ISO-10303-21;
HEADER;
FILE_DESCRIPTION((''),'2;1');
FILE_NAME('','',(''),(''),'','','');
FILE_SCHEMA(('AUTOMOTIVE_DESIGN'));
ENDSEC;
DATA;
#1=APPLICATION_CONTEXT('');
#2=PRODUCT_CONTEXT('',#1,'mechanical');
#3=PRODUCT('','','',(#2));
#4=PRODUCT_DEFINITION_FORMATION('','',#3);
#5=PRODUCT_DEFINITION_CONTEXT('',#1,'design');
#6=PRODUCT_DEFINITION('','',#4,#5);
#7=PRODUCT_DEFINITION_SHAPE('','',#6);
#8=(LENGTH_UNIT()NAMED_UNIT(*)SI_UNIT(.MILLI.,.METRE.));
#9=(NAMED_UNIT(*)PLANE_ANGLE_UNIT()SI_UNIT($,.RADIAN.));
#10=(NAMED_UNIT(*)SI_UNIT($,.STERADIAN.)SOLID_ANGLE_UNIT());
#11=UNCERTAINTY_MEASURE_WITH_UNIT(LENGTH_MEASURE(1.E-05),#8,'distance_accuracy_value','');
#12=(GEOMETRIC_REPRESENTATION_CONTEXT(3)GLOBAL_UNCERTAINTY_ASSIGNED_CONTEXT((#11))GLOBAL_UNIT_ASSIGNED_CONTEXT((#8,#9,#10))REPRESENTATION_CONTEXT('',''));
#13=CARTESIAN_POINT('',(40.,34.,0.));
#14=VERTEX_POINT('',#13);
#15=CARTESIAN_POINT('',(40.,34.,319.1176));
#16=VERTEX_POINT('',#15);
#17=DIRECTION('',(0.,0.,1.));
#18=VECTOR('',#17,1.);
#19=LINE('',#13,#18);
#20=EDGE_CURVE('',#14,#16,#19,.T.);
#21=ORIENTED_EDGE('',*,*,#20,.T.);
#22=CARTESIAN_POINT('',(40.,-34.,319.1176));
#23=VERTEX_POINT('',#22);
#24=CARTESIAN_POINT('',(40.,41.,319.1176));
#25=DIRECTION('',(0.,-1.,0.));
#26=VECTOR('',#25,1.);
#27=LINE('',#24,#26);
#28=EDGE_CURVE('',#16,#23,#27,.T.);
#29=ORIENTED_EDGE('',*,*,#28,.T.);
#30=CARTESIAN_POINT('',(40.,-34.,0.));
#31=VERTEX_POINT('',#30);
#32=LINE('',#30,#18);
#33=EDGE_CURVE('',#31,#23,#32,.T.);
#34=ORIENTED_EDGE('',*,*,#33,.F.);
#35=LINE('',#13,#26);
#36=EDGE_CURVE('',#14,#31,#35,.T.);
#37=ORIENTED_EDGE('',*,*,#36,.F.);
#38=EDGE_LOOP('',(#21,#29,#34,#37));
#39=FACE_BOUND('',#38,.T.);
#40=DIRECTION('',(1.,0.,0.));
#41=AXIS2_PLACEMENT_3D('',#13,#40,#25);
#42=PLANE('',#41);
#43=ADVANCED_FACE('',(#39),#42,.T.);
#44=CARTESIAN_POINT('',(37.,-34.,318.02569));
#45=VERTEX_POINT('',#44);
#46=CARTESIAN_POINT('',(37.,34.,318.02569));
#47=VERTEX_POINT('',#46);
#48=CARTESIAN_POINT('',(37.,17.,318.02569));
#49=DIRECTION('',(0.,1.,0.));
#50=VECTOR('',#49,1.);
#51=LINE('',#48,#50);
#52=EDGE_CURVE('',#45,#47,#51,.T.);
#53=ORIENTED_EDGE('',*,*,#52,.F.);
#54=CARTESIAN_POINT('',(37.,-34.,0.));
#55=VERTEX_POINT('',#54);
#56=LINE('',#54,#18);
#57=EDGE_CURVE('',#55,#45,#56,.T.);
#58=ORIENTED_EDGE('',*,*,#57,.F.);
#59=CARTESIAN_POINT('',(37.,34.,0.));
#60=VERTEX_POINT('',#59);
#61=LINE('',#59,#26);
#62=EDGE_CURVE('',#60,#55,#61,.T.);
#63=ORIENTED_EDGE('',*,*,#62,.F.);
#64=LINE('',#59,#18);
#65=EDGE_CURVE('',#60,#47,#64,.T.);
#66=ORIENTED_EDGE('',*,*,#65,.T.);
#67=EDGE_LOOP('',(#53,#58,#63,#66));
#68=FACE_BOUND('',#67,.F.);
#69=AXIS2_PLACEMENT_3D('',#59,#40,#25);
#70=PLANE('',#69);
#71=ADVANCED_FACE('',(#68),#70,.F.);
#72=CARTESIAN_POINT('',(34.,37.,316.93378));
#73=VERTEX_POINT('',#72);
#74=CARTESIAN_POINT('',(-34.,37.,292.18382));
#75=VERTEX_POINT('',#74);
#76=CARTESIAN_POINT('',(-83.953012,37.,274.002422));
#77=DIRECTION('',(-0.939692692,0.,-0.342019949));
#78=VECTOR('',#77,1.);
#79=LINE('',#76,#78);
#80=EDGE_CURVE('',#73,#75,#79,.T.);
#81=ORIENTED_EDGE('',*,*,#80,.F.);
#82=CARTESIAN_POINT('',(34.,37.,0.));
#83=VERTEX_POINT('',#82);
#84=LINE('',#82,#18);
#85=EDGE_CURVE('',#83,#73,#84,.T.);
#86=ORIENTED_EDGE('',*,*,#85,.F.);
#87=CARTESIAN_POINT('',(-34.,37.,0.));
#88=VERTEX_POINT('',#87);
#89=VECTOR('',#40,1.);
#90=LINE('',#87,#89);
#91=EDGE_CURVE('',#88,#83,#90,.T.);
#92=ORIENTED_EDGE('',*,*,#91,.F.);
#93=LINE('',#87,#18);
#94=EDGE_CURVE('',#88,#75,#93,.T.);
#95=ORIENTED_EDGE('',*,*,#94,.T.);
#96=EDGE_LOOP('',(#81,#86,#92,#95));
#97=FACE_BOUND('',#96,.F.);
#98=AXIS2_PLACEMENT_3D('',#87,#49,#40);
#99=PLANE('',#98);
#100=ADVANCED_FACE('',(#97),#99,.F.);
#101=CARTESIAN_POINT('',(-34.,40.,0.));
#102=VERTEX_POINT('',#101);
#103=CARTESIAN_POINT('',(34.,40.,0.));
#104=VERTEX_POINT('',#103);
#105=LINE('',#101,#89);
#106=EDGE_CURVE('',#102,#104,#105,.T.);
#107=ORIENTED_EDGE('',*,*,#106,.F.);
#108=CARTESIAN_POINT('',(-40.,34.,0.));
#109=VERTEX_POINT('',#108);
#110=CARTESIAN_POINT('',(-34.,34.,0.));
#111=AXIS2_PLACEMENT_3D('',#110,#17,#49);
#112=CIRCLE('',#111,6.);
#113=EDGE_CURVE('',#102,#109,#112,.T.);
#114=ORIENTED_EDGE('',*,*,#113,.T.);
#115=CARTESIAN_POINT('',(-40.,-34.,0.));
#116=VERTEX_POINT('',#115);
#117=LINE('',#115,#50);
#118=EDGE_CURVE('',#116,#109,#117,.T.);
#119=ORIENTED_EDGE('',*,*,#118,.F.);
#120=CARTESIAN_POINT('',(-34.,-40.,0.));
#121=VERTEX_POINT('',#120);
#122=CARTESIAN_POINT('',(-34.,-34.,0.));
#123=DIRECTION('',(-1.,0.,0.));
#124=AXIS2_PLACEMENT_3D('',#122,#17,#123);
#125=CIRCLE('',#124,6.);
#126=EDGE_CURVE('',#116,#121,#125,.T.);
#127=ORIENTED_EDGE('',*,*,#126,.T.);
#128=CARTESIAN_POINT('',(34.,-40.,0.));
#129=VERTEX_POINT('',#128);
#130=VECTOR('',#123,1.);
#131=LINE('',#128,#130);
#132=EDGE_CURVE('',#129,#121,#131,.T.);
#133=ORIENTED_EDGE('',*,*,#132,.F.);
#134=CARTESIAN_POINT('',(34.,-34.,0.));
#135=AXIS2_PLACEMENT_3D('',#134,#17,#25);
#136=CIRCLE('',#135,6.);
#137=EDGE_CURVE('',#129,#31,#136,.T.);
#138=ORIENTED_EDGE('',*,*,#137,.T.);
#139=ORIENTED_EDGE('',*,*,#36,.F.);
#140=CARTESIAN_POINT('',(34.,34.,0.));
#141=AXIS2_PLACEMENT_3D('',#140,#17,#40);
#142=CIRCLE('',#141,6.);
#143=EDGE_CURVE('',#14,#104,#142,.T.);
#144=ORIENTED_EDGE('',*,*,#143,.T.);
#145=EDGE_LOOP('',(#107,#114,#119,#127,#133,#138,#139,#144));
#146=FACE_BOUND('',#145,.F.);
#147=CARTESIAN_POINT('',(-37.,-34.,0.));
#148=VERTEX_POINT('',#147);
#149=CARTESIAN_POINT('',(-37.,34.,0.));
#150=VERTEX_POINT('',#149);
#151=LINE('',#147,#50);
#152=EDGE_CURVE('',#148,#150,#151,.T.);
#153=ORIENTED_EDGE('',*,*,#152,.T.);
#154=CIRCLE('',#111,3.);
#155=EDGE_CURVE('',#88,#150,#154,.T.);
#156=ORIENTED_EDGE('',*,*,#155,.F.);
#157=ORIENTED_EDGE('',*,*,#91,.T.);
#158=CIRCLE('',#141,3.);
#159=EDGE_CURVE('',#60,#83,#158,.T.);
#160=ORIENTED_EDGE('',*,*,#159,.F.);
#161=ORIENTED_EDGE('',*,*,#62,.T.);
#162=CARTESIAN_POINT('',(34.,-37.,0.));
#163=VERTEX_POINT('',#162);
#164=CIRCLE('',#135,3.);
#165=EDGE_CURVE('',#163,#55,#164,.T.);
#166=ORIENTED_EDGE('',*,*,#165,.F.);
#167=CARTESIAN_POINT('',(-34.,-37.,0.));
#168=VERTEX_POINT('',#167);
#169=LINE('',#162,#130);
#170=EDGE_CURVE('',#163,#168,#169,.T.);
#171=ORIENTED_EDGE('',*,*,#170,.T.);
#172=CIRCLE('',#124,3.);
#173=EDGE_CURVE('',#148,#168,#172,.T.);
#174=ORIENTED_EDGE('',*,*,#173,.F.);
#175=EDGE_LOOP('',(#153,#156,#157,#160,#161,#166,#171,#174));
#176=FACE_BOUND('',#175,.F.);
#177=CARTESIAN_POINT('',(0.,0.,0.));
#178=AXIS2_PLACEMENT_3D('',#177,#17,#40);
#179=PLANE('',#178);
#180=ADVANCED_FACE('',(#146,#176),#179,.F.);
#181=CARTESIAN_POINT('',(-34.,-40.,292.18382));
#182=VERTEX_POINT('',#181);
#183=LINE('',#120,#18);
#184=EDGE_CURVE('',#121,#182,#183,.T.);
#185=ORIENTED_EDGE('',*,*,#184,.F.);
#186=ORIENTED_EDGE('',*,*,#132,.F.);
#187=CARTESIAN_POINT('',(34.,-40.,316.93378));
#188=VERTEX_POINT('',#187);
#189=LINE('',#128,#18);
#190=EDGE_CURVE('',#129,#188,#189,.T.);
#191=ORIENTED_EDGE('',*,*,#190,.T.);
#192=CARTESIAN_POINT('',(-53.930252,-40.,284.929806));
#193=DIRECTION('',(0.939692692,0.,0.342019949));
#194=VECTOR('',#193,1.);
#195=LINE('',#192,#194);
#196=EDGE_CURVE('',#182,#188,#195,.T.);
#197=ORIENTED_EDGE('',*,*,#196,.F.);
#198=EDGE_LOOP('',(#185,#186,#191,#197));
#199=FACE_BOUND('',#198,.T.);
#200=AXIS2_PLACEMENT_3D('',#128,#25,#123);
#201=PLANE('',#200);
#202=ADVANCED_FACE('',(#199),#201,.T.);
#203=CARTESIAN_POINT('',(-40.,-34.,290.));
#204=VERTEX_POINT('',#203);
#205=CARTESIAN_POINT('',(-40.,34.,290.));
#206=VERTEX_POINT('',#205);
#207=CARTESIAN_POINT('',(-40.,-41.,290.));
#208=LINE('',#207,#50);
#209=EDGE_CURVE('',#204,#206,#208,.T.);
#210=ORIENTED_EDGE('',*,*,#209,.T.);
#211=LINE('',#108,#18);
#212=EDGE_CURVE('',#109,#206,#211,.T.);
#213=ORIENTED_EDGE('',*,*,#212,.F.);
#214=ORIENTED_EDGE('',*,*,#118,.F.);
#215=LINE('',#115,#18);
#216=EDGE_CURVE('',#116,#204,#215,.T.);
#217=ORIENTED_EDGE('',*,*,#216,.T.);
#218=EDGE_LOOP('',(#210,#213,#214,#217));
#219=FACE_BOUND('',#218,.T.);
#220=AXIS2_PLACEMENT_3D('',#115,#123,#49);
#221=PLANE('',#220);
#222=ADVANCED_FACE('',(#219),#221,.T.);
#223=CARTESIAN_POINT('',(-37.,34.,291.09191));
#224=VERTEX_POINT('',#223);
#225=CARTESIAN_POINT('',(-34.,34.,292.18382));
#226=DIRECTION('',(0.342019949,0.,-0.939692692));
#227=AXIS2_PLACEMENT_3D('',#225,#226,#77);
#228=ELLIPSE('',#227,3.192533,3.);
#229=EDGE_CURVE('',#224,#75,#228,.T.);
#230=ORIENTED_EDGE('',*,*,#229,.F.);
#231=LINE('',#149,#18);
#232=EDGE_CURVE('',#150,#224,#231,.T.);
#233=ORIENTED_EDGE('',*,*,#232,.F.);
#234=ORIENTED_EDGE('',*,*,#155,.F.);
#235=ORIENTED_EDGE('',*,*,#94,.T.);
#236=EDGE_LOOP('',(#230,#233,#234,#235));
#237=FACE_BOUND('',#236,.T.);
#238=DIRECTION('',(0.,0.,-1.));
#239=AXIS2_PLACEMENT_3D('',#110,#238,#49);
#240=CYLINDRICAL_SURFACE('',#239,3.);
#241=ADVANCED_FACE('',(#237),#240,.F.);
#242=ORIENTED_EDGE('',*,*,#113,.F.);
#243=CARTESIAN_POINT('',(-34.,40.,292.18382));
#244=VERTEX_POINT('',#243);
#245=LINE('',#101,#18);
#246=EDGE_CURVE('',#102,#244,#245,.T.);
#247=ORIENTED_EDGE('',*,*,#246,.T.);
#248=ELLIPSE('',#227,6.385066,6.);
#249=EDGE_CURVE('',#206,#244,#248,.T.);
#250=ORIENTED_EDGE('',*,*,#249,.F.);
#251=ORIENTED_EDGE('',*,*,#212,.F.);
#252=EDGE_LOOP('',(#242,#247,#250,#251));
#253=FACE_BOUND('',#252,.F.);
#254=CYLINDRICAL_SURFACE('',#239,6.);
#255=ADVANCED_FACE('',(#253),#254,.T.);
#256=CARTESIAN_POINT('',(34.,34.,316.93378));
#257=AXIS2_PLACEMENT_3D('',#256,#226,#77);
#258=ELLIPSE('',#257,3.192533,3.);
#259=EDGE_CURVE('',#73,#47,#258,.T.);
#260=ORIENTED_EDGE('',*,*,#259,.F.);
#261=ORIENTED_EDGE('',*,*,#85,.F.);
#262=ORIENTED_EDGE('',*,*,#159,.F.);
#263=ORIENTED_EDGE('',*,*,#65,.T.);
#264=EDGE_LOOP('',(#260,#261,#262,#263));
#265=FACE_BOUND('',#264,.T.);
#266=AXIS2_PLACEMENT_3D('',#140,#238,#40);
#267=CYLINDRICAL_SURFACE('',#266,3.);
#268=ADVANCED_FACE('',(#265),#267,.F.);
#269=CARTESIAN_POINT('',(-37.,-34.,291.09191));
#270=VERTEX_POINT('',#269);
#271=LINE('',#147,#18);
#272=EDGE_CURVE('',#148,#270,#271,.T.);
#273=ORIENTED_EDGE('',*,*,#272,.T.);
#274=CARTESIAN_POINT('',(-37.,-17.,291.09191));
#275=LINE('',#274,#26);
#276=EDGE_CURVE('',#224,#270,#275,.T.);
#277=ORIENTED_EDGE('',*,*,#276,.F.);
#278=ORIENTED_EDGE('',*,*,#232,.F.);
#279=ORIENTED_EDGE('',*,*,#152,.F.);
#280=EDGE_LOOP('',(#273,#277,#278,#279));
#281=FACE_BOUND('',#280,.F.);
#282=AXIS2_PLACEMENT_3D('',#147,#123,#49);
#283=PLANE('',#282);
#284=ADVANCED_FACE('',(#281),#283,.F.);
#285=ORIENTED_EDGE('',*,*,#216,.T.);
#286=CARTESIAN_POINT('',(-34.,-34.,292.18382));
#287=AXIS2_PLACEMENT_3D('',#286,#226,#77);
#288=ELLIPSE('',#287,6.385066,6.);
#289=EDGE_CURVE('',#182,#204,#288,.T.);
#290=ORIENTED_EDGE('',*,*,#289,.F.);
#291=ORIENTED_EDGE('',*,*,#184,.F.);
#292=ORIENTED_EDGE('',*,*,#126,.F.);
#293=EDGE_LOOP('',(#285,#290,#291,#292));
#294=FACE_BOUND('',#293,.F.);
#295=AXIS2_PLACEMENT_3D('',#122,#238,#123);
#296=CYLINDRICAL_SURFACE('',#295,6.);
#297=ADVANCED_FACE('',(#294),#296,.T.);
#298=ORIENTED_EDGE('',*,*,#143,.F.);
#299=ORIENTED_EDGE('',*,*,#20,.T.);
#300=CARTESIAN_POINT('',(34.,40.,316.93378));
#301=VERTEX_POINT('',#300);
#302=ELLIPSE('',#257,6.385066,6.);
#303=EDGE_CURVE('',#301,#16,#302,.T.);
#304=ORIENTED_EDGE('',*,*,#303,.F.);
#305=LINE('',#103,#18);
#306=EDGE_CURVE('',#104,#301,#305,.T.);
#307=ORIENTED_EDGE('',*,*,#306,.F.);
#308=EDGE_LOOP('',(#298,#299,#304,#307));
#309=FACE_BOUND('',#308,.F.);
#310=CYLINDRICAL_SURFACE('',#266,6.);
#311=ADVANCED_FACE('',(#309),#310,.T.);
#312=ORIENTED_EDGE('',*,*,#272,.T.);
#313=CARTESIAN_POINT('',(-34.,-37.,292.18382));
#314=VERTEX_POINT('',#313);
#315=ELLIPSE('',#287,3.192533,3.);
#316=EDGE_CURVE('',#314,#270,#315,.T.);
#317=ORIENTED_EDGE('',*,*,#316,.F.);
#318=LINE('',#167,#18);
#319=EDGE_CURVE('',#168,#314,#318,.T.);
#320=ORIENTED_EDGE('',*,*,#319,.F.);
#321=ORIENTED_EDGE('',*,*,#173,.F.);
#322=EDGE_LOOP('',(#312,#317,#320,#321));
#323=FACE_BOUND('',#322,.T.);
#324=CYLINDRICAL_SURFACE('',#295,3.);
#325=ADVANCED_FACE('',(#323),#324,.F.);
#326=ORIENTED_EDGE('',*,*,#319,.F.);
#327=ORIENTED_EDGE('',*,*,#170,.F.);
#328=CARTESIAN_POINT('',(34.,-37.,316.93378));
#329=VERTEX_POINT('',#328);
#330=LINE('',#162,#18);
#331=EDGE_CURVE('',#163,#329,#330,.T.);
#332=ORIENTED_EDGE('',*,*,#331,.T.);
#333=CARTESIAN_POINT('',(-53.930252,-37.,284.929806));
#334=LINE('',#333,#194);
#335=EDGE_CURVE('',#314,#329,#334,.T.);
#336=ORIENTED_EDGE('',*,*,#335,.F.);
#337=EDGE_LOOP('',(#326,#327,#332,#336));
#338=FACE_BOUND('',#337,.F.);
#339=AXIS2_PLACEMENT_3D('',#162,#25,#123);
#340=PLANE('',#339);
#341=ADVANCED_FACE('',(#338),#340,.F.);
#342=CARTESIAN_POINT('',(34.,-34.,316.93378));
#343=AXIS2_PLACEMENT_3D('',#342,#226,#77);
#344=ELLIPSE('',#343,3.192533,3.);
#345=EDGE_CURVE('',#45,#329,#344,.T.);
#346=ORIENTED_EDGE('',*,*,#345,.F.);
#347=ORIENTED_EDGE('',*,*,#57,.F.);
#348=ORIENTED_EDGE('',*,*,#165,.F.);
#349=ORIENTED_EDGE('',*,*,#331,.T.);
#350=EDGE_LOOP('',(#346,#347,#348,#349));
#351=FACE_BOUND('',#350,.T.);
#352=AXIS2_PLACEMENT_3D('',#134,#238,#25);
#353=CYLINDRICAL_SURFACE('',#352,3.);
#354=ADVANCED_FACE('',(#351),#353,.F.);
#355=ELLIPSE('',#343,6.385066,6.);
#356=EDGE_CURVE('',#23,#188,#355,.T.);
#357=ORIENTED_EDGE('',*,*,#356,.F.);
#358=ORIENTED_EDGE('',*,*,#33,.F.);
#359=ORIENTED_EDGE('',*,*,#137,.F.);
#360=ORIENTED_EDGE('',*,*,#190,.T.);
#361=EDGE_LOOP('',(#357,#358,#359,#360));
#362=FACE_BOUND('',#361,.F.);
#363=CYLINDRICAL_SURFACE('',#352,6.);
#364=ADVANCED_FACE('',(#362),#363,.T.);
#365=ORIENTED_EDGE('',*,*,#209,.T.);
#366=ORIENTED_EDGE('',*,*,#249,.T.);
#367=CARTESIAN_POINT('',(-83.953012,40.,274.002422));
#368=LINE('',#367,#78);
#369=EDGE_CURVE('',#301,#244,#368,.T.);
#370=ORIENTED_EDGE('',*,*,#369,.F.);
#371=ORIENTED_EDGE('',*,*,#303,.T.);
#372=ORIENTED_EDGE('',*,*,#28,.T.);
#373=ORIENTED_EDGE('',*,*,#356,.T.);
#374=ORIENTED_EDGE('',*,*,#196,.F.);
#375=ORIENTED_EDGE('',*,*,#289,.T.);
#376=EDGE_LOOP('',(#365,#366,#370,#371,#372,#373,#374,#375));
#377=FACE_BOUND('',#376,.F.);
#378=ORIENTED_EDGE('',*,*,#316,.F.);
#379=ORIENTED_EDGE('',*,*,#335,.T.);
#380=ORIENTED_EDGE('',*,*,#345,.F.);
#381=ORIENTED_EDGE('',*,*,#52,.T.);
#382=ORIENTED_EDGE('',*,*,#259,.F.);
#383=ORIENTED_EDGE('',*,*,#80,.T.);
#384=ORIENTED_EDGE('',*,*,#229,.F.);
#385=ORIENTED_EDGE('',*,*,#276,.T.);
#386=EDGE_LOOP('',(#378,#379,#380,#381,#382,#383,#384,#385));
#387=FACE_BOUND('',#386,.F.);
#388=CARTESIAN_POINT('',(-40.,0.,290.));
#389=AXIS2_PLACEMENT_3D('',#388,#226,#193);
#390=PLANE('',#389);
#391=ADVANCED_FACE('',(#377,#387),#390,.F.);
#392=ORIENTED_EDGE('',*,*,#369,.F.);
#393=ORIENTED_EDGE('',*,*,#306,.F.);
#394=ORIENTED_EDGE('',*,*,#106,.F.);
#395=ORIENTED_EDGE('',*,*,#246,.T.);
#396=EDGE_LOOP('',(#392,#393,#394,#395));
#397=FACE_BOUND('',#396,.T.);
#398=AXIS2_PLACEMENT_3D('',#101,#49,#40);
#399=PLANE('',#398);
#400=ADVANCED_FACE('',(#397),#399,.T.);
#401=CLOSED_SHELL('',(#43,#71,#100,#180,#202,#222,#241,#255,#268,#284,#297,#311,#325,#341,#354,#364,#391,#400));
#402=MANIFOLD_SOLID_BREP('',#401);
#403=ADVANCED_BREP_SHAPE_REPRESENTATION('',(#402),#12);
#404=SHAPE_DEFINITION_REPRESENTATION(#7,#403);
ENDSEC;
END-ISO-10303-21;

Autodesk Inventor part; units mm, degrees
ref_plane "YZ Plane" through (0, 0, 0) normal (1, 0, 0) x (0, 1, 0)
ref_plane "Start plane" through (0, 0, 0) normal (0, 0, 1) x (1, 0, 0)
ref_plane "End plane" through (0, 0, 1000) normal (0, 0, 1) x (1, 0, 0)
sketch "Sketch" plane through (0, 0, 0) normal (0, 0, 1) x (1, 0, 0)
  line L0 (-40, -34) -> (-40, 34)
  line L1 (-34, 40) -> (34, 40)
  line L2 (40, 34) -> (40, -34)
  line L3 (34, -40) -> (-34, -40)
  arc A0 (-40, -34) -> (-34, -40) centre (-34, -34) ccw
  arc A1 (40, 34) -> (34, 40) centre (34, 34) ccw
  arc A2 (-34, 40) -> (-40, 34) centre (-34, 34) ccw
  arc A3 (34, -40) -> (40, -34) centre (34, -34) ccw
  arc A4 (-34, 37) -> (-37, 34) centre (-34, 34) ccw
  line L4 (-34, 37) -> (34, 37)
  arc A5 (37, 34) -> (34, 37) centre (34, 34) ccw
  line L5 (37, 34) -> (37, -34)
  arc A6 (34, -37) -> (37, -34) centre (34, -34) ccw
  line L6 (34, -37) -> (-34, -37)
  arc A7 (-37, -34) -> (-34, -37) centre (-34, -34) ccw
  line L7 (-37, -34) -> (-37, 34)
  line L8 (0, 57.7397) -> (0, -57.7397) construction
  line L9 (-57.7397, 0) -> (57.7397, 0) construction
  dimension "d7" = 6
  dimension "d9" = 80
  dimension "d11" = 80
  dimension "d12" = 3
  dimension "d15" = 40
  dimension "d16" = 40
extrude "Body" add sketch "Sketch" along normal up to surface (1000 mm away) from surface at 0
sketch "Sketch3" plane through (0, 0, 0) normal (0, 0, 1) x (1, 0, 0)
  line L0 (0, 0) -> (10, 0)
ref_plane "Work Plane3" through (0, 0, 0) normal (0, -1, 0) x (1, 0, 0)
sketch "Sketch7" plane through (0, 0, 0) normal (0, 1, 0) x (-1, 0, 0)
  line L0 (40, 0) -> (40, 1000) projected
  line L1 (-40, 0) -> (-40, 1000) projected
  line L2 (40, 290) -> (-40, 319.1176)
  line L3 (-40, 1000) -> (-34, 1000) projected
  line L4 (40, 1000) -> (-40, 1000)
  point P0 (0, 0)
  dimension "d37" = 290
  dimension "d38" = 70
extrude "Extrusion3" cut sketch "Sketch7" along normal through all both and the other way through all
sketch "Sketch4" plane through (0, 0, 0) normal (0, -1, 0) x (1, 0, 0)
  line L0 (-2, 0) -> (12, 0) projected
  line L1 (-2, 1000) -> (12, 1000) projected
  dimension "d18" = 1000
equation "\"d7\" = G_IR"
equation "\"d9\" = G_W"
equation "\"d11\" = G_H"
equation "\"d12\" = G_T"
equation "\"d15\" = 0.5 * d9"
equation "\"d16\" = 0.5 * d11"
equation "\"d3\" = G_L"
equation "\"G_W\" = 80"
equation "\"G_H\" = 80"
equation "\"G_T\" = 3"
equation "\"G_IR\" = 6"
equation "\"G_L\" = d18"
equation "\"G_OFFSET_START\" = 0"
equation "\"G_OFFSET_END\" = 0"
properties part number "PRS 940-91 Leg tube" material "Steel, Mild"
